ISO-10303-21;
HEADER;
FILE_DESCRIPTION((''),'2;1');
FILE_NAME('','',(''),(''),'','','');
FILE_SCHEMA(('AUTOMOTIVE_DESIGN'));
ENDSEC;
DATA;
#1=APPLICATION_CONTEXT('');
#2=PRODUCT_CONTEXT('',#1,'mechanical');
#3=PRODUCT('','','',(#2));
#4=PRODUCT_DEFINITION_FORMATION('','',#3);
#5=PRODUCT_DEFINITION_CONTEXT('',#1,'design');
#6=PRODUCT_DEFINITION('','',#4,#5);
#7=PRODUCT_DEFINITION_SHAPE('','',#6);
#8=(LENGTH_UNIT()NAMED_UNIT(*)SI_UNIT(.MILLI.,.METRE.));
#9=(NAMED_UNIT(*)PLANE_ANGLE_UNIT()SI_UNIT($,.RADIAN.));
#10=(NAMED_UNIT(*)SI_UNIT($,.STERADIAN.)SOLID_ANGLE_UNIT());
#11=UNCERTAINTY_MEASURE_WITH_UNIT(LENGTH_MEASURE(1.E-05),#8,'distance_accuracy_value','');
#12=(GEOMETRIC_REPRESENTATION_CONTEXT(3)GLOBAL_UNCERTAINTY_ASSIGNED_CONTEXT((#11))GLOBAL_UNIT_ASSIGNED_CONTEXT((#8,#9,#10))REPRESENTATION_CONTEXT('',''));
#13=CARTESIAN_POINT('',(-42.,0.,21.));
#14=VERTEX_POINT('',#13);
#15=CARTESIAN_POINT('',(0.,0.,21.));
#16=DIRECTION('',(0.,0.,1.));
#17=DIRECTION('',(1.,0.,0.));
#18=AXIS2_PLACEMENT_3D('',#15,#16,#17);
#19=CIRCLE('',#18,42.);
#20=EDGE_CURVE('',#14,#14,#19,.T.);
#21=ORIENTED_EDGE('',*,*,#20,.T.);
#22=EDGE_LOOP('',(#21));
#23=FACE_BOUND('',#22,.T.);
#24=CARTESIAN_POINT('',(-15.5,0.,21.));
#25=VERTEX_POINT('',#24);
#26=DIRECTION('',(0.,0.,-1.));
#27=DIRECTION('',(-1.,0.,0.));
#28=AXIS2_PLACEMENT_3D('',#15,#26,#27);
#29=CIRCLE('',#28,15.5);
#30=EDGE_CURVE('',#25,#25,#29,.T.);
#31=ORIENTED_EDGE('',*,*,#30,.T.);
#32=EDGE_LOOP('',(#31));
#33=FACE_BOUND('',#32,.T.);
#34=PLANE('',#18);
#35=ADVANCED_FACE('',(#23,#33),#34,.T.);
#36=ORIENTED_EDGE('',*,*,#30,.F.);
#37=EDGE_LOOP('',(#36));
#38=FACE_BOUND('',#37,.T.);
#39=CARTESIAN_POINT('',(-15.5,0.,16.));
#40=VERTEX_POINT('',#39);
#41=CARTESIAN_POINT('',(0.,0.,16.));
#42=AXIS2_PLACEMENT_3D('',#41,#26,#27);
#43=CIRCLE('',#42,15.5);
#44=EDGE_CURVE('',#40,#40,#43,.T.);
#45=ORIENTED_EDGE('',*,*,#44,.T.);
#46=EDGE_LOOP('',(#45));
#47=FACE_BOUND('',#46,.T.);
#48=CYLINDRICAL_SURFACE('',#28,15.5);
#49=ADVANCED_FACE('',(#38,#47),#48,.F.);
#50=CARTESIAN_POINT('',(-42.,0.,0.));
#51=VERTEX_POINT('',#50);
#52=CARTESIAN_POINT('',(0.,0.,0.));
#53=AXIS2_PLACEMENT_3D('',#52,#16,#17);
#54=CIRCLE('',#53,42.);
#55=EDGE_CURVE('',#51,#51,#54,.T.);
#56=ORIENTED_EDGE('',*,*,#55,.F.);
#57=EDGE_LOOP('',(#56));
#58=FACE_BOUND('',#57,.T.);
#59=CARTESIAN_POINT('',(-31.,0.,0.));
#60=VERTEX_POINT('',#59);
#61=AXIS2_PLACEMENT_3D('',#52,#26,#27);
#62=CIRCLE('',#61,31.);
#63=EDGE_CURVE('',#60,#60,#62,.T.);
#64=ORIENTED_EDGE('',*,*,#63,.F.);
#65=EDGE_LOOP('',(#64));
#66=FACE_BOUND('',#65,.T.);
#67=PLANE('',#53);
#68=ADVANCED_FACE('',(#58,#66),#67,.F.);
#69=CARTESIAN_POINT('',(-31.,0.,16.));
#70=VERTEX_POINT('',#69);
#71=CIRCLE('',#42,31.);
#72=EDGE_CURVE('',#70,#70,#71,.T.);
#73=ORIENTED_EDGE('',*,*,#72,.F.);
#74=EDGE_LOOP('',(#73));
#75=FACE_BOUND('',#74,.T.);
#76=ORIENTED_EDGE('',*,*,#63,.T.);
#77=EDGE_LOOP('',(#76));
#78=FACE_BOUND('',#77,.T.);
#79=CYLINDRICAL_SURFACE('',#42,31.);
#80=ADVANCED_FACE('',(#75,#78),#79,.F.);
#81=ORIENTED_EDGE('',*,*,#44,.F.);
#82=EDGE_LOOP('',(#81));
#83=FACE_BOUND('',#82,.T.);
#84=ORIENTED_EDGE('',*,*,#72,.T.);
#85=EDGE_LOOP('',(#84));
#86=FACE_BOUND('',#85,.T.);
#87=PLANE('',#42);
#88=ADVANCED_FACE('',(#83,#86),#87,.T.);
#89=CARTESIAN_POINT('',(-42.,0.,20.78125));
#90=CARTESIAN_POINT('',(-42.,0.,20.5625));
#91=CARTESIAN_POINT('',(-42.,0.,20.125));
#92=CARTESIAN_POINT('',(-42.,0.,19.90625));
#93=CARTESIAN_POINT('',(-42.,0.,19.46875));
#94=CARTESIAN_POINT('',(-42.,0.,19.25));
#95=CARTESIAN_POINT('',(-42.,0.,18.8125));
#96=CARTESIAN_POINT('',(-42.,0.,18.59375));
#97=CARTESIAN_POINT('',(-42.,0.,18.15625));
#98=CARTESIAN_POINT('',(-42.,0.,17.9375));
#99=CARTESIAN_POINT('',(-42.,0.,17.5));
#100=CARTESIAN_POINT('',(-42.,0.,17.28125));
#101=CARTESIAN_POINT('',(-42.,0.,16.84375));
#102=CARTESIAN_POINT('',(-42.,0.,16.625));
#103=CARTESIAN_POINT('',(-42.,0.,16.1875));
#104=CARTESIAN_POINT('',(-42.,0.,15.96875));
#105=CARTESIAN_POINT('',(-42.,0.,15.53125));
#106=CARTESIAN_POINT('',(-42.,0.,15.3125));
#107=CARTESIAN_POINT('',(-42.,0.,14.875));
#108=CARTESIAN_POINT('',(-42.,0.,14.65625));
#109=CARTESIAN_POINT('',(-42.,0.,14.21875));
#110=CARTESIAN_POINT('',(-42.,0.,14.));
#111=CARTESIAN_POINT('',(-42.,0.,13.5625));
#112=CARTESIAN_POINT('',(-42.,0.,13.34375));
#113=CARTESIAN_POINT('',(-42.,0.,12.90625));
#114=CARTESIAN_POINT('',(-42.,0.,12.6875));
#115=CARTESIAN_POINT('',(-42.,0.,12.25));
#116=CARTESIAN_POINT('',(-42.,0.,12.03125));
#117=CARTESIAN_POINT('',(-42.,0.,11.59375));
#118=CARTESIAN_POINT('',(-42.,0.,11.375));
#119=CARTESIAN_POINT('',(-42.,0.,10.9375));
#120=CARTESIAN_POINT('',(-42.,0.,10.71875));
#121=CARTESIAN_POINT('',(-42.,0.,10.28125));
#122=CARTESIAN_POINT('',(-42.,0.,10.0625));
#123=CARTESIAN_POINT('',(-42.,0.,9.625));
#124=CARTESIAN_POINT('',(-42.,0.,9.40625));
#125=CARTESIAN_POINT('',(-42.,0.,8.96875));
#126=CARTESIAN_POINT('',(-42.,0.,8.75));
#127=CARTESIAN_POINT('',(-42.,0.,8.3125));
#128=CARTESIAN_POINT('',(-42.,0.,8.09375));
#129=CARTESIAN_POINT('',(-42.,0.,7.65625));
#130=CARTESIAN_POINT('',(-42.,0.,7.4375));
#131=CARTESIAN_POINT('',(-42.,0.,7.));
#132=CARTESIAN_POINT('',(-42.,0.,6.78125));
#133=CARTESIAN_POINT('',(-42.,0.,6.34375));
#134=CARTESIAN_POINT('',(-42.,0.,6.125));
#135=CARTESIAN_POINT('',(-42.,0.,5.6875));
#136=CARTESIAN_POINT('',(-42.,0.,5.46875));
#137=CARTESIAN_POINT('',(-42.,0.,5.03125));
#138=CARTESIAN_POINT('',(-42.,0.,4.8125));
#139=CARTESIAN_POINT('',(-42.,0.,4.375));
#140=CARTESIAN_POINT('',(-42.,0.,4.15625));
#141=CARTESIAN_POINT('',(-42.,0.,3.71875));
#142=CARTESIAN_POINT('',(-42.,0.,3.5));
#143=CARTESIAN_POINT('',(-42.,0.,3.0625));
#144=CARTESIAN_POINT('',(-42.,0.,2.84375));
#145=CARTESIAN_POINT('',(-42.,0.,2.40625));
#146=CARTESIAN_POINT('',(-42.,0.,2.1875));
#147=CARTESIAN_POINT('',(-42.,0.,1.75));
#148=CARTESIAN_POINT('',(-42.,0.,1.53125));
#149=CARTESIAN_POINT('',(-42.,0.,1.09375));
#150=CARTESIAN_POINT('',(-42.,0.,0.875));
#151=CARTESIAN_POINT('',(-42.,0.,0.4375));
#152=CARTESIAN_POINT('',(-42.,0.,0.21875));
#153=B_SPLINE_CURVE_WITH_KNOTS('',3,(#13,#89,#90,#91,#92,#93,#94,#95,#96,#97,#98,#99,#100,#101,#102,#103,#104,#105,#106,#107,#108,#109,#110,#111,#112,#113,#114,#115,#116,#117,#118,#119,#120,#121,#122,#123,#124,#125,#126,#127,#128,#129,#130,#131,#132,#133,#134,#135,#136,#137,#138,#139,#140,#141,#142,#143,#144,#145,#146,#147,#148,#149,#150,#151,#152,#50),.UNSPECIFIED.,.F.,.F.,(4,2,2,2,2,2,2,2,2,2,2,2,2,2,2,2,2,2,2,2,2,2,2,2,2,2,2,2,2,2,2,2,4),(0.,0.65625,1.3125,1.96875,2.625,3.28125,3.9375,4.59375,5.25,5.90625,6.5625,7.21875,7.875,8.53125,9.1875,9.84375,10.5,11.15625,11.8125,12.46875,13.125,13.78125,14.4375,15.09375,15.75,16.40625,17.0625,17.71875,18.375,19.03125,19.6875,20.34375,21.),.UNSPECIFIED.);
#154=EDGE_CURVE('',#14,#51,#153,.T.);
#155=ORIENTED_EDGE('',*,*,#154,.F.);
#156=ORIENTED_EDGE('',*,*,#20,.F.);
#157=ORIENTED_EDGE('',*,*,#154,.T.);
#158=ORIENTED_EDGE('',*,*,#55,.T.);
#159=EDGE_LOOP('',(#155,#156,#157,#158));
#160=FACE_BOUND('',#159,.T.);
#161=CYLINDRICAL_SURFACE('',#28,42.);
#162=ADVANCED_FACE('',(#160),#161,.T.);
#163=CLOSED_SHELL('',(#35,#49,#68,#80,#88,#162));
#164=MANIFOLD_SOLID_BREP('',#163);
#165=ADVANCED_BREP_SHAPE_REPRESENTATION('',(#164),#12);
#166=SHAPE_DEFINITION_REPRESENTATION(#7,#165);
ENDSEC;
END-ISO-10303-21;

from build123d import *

# Parameters (mm, degrees)
SKETCH_1_R          = 42
EXTRUDE_1_DEPTH     = 21
SKETCH_2_R          = 31
CUT_EXTRUDE_2_DEPTH = 16
SKETCH_3_R          = 15.5
CUT_EXTRUDE_3_DEPTH = 62.514225997


with BuildPart() as part:
    # Эскиз1 → Вытянуть1 (new body)
    with BuildSketch(Plane.XY):
        with Locations(Location((0, 0, 0), (0, 0, 180))):
            Circle(SKETCH_1_R)
    extrude(amount=EXTRUDE_1_DEPTH)

    # Эскиз2 → Вытянуть2 (cut)
    with BuildSketch(Plane(origin=(0, 0, 0), x_dir=(-1, 0, 0), z_dir=(0, 0, -1))):
        Circle(SKETCH_2_R)
    extrude(amount=-CUT_EXTRUDE_2_DEPTH, mode=Mode.SUBTRACT)

    # Эскиз3 → Вытянуть3 (cut, through all)
    with BuildSketch(Plane(origin=(0, 0, 16), x_dir=(-1, 0, 0), z_dir=(0, 0, -1))):
        Circle(SKETCH_3_R)
    extrude(amount=-CUT_EXTRUDE_3_DEPTH, mode=Mode.SUBTRACT)


solid = part.part
